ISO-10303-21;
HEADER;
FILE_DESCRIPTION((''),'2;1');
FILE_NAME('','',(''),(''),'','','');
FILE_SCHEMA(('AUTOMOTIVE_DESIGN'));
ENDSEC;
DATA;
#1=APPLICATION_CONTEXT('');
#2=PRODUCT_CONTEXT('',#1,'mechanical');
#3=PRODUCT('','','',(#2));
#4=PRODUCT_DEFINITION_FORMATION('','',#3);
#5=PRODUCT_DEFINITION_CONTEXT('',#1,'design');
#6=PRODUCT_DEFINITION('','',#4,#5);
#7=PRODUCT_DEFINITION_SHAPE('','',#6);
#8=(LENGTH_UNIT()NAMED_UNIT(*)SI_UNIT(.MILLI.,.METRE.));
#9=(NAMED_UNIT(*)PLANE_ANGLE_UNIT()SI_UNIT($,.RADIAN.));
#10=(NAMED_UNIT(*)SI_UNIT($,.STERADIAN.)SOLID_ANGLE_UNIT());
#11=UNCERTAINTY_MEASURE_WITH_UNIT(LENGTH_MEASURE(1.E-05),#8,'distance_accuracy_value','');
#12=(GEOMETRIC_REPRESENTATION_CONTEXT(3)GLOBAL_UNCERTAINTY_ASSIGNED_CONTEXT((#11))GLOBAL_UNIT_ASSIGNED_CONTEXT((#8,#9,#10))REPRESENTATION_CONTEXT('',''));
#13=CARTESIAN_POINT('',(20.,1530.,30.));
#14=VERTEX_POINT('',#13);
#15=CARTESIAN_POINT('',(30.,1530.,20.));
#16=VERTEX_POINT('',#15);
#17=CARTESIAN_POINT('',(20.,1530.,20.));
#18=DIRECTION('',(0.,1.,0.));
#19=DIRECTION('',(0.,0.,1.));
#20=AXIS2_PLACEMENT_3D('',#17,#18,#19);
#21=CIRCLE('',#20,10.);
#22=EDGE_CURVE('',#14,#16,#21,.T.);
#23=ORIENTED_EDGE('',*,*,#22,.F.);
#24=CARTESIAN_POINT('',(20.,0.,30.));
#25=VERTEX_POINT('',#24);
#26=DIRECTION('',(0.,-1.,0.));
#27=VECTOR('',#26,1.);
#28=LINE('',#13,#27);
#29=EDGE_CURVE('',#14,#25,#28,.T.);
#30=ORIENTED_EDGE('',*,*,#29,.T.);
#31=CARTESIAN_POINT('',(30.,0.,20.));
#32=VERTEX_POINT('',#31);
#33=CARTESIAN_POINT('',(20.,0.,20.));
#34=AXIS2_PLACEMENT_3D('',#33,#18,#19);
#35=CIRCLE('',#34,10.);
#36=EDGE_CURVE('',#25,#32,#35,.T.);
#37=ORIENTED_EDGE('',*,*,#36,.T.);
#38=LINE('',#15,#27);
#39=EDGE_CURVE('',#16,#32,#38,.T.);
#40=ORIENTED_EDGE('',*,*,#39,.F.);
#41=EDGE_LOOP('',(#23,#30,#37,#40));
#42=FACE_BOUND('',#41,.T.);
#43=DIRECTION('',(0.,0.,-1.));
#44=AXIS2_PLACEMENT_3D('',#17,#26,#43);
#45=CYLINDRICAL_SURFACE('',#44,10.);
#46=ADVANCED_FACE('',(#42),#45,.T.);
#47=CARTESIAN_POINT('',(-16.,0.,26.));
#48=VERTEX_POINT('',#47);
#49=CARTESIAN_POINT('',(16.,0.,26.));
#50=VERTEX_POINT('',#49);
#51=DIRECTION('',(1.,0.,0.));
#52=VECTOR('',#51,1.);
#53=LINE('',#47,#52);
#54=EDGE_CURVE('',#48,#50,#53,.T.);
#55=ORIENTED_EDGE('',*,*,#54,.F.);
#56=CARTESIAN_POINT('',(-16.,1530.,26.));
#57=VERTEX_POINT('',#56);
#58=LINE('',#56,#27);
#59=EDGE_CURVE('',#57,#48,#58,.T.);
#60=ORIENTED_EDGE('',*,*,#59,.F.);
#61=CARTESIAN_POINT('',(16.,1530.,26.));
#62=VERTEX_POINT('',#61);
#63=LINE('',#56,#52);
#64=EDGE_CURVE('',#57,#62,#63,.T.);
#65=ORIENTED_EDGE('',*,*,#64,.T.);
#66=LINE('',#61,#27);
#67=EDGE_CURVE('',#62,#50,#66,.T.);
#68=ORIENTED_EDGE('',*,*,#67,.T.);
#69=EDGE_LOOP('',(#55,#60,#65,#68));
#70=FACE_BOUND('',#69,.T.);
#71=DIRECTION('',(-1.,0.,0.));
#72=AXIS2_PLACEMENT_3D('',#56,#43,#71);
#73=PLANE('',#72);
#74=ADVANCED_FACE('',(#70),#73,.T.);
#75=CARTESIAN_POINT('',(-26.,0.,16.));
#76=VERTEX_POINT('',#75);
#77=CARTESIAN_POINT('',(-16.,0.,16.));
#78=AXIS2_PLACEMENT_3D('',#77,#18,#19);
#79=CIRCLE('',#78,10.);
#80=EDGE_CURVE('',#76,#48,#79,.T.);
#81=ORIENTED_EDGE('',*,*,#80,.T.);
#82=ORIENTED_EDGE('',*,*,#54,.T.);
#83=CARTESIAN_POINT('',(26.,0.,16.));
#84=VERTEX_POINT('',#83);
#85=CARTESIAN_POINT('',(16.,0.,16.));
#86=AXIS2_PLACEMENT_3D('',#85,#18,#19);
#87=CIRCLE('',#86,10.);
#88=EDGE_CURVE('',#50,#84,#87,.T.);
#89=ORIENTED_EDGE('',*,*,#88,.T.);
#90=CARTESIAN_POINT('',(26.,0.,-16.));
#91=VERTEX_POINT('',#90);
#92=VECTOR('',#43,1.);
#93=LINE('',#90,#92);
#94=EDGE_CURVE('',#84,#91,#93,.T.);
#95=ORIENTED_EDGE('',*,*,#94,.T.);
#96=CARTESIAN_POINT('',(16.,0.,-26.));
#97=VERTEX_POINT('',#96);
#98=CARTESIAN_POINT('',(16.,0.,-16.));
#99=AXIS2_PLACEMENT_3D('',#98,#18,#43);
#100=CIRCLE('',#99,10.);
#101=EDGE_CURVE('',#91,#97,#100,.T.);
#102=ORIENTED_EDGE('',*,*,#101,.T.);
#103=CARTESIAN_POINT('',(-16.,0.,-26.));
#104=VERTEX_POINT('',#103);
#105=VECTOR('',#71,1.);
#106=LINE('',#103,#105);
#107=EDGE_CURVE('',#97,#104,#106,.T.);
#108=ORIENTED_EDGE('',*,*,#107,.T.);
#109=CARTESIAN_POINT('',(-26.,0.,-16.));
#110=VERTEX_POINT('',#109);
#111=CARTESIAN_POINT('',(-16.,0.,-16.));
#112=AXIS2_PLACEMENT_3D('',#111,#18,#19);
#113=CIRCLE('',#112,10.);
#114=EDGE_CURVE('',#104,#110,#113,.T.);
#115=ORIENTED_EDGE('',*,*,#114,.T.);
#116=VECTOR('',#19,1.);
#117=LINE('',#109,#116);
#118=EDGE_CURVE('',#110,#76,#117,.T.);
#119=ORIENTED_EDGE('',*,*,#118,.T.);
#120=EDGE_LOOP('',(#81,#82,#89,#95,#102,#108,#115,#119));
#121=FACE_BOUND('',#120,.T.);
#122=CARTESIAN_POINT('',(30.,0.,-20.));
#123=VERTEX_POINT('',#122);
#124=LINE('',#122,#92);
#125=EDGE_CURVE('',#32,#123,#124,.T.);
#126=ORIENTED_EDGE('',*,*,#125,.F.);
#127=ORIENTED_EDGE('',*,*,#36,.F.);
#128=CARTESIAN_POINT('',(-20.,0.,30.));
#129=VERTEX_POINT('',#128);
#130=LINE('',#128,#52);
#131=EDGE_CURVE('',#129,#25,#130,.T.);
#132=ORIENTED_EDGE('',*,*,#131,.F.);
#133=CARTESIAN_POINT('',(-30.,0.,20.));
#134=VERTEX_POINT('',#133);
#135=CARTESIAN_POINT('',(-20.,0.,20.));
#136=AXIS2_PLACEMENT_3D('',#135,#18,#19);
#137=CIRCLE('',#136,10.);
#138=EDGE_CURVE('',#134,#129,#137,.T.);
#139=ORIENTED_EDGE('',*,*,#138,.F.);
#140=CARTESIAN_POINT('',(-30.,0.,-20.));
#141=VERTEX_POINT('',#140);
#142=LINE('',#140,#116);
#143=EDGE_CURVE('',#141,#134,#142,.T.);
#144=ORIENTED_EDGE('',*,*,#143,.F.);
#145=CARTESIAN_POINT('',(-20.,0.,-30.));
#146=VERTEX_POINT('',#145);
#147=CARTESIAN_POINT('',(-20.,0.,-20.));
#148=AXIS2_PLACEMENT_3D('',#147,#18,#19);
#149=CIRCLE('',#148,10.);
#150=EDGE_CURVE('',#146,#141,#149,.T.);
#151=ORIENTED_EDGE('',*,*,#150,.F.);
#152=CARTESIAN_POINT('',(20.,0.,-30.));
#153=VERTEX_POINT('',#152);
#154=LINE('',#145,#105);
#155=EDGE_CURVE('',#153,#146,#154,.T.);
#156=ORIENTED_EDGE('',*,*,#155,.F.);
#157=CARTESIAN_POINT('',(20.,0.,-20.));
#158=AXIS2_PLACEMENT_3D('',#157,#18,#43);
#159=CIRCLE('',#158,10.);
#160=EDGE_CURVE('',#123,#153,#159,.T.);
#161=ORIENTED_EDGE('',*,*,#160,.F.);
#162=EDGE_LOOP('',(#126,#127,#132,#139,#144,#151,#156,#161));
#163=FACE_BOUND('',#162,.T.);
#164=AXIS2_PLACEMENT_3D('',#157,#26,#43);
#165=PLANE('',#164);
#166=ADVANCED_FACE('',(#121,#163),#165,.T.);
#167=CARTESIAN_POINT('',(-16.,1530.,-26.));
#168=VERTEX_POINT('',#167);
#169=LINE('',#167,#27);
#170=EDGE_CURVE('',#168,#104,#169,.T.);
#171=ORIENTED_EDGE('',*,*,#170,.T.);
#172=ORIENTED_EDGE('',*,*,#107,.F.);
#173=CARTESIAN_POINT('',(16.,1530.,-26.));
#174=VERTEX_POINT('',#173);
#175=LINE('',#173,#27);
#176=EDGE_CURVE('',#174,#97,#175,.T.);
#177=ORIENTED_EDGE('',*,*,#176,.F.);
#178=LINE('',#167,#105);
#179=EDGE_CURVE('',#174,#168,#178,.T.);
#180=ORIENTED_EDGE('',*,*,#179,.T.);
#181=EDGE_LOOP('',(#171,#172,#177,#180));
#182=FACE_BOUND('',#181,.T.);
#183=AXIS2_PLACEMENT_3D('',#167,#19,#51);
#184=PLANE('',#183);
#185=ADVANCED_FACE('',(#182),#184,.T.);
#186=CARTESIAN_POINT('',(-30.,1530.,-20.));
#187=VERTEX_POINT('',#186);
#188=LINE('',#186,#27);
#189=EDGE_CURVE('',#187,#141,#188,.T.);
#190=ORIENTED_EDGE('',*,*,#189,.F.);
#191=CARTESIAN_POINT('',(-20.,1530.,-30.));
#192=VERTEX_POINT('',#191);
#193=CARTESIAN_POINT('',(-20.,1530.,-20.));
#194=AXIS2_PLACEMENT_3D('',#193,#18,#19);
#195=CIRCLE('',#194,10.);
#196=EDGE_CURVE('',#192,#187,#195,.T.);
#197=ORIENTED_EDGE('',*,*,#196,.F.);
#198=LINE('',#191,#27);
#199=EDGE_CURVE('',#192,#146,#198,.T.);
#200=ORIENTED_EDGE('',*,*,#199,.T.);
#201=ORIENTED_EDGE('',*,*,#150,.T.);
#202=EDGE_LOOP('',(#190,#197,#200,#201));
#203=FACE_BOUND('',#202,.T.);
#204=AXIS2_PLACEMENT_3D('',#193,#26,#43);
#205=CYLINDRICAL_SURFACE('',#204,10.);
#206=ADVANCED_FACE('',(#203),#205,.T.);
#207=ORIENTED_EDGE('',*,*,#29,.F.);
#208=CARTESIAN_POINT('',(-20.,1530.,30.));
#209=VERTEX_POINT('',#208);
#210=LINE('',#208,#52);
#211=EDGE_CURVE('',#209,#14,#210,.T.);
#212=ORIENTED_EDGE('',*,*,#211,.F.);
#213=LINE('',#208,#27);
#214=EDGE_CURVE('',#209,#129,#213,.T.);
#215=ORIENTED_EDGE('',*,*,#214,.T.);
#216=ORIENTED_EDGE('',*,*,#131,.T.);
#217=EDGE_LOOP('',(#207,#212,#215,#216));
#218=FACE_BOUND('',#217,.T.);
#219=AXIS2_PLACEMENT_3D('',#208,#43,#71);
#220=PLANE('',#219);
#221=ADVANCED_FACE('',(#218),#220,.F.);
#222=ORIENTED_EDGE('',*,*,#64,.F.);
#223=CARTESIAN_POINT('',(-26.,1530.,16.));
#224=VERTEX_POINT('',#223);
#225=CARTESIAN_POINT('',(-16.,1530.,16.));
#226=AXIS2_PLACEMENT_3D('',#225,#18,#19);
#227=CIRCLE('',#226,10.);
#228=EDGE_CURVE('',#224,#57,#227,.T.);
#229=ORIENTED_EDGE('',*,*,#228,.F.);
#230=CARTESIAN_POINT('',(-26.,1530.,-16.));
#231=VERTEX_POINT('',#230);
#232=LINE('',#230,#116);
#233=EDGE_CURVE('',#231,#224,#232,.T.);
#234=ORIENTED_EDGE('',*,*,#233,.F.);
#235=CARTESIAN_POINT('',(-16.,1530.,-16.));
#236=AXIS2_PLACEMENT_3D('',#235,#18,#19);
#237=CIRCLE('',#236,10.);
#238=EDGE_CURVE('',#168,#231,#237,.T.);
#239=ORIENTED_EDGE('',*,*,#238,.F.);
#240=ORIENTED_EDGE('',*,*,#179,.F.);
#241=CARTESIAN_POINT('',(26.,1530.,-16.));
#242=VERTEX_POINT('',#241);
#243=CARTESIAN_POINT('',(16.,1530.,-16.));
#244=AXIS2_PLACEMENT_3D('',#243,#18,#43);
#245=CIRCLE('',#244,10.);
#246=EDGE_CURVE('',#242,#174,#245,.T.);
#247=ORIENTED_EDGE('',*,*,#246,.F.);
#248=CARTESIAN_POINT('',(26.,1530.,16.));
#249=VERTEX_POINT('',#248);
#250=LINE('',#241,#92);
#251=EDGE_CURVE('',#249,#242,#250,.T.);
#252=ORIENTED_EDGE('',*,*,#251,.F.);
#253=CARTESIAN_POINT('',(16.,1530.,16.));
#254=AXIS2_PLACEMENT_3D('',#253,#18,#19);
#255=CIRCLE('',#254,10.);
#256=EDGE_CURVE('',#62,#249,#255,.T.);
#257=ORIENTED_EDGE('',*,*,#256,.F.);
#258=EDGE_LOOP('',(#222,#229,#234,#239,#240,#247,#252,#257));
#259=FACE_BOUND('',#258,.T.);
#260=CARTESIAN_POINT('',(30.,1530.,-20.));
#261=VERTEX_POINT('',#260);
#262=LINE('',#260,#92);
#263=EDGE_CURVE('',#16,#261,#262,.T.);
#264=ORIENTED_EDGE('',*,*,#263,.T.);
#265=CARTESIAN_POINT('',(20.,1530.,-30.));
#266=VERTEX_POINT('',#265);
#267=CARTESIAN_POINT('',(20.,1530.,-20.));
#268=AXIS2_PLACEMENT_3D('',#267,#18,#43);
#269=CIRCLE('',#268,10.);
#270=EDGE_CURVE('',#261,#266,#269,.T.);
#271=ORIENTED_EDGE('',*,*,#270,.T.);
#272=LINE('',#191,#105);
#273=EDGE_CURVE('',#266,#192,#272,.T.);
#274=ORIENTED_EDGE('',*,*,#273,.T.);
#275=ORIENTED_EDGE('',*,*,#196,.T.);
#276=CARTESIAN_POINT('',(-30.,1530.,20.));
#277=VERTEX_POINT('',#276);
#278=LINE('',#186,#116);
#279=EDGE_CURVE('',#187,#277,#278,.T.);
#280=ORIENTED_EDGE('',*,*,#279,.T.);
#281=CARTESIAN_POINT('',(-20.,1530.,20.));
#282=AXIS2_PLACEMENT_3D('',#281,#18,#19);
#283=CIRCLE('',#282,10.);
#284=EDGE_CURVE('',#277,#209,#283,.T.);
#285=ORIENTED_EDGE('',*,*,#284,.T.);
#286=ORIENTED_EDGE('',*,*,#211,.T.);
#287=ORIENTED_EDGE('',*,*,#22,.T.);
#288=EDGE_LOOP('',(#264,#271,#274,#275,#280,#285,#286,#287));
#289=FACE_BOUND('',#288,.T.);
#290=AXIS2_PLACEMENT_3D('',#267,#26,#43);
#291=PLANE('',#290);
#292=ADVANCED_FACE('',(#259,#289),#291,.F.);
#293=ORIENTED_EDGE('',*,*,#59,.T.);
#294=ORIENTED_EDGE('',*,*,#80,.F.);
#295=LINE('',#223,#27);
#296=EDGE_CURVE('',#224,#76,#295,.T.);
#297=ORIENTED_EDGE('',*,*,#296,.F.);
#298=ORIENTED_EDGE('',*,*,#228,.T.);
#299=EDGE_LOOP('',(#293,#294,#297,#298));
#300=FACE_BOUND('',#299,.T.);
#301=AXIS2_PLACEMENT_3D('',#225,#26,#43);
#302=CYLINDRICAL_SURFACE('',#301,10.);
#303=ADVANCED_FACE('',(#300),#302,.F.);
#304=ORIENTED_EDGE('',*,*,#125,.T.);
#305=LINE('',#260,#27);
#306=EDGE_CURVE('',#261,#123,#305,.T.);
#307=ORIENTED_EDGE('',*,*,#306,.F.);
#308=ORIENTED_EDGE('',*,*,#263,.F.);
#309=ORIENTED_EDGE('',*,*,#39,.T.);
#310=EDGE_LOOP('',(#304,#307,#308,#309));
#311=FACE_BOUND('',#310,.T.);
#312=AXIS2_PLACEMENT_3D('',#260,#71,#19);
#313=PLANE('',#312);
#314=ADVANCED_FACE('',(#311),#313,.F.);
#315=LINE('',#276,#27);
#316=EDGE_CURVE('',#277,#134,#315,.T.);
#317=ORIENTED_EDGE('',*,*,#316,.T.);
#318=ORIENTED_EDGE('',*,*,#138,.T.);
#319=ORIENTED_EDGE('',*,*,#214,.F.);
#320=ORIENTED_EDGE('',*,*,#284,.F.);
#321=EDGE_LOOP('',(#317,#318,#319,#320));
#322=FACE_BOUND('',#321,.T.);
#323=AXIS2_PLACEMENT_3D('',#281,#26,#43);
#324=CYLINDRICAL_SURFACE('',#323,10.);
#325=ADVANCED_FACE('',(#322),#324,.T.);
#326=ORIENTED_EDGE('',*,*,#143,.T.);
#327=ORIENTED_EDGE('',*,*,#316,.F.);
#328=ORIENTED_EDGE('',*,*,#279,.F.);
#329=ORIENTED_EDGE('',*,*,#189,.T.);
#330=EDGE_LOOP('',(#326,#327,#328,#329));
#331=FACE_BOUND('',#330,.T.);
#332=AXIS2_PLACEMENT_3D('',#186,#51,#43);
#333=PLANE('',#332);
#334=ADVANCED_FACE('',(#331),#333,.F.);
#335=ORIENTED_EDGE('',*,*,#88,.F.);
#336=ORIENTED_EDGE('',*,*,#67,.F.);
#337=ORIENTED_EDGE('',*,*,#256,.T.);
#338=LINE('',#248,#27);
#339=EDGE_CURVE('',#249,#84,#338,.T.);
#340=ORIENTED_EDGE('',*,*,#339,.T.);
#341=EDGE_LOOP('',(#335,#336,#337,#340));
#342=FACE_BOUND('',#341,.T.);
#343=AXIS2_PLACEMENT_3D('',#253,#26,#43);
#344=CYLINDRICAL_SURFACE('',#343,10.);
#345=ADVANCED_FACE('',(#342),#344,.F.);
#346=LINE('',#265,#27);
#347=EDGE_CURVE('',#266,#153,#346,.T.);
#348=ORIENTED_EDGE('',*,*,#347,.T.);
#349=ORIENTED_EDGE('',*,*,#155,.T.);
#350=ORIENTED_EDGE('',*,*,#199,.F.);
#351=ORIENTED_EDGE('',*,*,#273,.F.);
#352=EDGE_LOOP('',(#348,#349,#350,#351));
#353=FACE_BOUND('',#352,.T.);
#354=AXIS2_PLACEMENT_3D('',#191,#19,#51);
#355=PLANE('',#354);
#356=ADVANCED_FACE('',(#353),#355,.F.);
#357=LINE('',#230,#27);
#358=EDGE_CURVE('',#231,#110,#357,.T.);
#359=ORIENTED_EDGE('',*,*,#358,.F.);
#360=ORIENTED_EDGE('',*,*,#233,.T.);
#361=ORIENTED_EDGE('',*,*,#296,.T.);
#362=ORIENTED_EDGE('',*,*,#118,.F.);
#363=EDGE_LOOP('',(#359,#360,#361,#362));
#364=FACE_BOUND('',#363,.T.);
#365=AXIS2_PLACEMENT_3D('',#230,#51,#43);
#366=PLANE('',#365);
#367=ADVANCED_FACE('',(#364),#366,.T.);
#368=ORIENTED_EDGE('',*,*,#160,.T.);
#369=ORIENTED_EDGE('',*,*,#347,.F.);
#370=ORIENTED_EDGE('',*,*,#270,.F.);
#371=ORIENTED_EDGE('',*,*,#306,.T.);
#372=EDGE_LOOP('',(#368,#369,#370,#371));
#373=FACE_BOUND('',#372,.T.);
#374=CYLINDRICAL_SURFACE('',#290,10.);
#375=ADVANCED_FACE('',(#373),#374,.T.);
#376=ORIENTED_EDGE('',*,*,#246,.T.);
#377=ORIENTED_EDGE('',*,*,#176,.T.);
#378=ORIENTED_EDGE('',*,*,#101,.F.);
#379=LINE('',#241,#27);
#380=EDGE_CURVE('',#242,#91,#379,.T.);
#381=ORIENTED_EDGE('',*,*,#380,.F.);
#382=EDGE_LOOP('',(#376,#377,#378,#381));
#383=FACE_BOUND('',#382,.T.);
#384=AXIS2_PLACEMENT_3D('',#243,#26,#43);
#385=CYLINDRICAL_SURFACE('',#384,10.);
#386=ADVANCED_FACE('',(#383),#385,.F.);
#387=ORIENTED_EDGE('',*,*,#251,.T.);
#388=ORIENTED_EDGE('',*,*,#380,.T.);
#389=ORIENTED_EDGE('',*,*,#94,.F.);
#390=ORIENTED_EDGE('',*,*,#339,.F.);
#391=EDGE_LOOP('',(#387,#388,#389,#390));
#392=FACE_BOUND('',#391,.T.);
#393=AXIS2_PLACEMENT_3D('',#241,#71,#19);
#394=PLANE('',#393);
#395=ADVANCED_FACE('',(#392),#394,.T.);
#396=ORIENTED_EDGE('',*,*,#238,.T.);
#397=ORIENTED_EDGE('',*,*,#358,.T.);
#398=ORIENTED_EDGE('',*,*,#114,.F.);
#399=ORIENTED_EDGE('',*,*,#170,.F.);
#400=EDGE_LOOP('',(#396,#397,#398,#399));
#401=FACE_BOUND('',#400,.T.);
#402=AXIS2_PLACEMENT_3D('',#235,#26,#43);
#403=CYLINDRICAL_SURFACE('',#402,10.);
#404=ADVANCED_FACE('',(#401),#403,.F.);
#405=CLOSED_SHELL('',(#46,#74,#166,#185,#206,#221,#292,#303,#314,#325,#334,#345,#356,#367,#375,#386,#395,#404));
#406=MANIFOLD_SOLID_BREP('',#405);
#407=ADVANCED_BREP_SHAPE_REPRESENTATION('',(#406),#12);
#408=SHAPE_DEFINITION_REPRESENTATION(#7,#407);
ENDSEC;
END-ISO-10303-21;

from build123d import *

# Parameters (mm, degrees)
EXTRUDE_1_DEPTH = 1530


with BuildPart() as part:
    # Эскиз1 → Бобышка-Вытянуть1 (new body)
    with BuildSketch(Plane(origin=(0, 0, 0), x_dir=(1, 0, 0), z_dir=(0, 1, 0))):
        with BuildLine():
            Line((-20, 30), (20, 30))
            ThreePointArc((20, 30), (27.071067812, 27.071067812), (30, 20))
            Line((30, 20), (30, -20))
            ThreePointArc((30, -20), (27.071067812, -27.071067812), (20, -30))
            Line((20, -30), (-20, -30))
            ThreePointArc((-20, -30), (-27.071067812, -27.071067812), (-30, -20))
            Line((-30, -20), (-30, 20))
            ThreePointArc((-30, 20), (-27.071067812, 27.071067812), (-20, 30))
        make_face()
        with BuildLine():
            Line((-16, 26), (16, 26))
            ThreePointArc((16, 26), (23.071067812, 23.071067812), (26, 16))
            Line((26, 16), (26, -16))
            ThreePointArc((26, -16), (23.071067812, -23.071067812), (16, -26))
            Line((16, -26), (-16, -26))
            ThreePointArc((-16, -26), (-23.071067812, -23.071067812), (-26, -16))
            Line((-26, -16), (-26, 16))
            ThreePointArc((-26, 16), (-23.071067812, 23.071067812), (-16, 26))
        make_face(mode=Mode.SUBTRACT)
    extrude(amount=EXTRUDE_1_DEPTH)


solid = part.part
